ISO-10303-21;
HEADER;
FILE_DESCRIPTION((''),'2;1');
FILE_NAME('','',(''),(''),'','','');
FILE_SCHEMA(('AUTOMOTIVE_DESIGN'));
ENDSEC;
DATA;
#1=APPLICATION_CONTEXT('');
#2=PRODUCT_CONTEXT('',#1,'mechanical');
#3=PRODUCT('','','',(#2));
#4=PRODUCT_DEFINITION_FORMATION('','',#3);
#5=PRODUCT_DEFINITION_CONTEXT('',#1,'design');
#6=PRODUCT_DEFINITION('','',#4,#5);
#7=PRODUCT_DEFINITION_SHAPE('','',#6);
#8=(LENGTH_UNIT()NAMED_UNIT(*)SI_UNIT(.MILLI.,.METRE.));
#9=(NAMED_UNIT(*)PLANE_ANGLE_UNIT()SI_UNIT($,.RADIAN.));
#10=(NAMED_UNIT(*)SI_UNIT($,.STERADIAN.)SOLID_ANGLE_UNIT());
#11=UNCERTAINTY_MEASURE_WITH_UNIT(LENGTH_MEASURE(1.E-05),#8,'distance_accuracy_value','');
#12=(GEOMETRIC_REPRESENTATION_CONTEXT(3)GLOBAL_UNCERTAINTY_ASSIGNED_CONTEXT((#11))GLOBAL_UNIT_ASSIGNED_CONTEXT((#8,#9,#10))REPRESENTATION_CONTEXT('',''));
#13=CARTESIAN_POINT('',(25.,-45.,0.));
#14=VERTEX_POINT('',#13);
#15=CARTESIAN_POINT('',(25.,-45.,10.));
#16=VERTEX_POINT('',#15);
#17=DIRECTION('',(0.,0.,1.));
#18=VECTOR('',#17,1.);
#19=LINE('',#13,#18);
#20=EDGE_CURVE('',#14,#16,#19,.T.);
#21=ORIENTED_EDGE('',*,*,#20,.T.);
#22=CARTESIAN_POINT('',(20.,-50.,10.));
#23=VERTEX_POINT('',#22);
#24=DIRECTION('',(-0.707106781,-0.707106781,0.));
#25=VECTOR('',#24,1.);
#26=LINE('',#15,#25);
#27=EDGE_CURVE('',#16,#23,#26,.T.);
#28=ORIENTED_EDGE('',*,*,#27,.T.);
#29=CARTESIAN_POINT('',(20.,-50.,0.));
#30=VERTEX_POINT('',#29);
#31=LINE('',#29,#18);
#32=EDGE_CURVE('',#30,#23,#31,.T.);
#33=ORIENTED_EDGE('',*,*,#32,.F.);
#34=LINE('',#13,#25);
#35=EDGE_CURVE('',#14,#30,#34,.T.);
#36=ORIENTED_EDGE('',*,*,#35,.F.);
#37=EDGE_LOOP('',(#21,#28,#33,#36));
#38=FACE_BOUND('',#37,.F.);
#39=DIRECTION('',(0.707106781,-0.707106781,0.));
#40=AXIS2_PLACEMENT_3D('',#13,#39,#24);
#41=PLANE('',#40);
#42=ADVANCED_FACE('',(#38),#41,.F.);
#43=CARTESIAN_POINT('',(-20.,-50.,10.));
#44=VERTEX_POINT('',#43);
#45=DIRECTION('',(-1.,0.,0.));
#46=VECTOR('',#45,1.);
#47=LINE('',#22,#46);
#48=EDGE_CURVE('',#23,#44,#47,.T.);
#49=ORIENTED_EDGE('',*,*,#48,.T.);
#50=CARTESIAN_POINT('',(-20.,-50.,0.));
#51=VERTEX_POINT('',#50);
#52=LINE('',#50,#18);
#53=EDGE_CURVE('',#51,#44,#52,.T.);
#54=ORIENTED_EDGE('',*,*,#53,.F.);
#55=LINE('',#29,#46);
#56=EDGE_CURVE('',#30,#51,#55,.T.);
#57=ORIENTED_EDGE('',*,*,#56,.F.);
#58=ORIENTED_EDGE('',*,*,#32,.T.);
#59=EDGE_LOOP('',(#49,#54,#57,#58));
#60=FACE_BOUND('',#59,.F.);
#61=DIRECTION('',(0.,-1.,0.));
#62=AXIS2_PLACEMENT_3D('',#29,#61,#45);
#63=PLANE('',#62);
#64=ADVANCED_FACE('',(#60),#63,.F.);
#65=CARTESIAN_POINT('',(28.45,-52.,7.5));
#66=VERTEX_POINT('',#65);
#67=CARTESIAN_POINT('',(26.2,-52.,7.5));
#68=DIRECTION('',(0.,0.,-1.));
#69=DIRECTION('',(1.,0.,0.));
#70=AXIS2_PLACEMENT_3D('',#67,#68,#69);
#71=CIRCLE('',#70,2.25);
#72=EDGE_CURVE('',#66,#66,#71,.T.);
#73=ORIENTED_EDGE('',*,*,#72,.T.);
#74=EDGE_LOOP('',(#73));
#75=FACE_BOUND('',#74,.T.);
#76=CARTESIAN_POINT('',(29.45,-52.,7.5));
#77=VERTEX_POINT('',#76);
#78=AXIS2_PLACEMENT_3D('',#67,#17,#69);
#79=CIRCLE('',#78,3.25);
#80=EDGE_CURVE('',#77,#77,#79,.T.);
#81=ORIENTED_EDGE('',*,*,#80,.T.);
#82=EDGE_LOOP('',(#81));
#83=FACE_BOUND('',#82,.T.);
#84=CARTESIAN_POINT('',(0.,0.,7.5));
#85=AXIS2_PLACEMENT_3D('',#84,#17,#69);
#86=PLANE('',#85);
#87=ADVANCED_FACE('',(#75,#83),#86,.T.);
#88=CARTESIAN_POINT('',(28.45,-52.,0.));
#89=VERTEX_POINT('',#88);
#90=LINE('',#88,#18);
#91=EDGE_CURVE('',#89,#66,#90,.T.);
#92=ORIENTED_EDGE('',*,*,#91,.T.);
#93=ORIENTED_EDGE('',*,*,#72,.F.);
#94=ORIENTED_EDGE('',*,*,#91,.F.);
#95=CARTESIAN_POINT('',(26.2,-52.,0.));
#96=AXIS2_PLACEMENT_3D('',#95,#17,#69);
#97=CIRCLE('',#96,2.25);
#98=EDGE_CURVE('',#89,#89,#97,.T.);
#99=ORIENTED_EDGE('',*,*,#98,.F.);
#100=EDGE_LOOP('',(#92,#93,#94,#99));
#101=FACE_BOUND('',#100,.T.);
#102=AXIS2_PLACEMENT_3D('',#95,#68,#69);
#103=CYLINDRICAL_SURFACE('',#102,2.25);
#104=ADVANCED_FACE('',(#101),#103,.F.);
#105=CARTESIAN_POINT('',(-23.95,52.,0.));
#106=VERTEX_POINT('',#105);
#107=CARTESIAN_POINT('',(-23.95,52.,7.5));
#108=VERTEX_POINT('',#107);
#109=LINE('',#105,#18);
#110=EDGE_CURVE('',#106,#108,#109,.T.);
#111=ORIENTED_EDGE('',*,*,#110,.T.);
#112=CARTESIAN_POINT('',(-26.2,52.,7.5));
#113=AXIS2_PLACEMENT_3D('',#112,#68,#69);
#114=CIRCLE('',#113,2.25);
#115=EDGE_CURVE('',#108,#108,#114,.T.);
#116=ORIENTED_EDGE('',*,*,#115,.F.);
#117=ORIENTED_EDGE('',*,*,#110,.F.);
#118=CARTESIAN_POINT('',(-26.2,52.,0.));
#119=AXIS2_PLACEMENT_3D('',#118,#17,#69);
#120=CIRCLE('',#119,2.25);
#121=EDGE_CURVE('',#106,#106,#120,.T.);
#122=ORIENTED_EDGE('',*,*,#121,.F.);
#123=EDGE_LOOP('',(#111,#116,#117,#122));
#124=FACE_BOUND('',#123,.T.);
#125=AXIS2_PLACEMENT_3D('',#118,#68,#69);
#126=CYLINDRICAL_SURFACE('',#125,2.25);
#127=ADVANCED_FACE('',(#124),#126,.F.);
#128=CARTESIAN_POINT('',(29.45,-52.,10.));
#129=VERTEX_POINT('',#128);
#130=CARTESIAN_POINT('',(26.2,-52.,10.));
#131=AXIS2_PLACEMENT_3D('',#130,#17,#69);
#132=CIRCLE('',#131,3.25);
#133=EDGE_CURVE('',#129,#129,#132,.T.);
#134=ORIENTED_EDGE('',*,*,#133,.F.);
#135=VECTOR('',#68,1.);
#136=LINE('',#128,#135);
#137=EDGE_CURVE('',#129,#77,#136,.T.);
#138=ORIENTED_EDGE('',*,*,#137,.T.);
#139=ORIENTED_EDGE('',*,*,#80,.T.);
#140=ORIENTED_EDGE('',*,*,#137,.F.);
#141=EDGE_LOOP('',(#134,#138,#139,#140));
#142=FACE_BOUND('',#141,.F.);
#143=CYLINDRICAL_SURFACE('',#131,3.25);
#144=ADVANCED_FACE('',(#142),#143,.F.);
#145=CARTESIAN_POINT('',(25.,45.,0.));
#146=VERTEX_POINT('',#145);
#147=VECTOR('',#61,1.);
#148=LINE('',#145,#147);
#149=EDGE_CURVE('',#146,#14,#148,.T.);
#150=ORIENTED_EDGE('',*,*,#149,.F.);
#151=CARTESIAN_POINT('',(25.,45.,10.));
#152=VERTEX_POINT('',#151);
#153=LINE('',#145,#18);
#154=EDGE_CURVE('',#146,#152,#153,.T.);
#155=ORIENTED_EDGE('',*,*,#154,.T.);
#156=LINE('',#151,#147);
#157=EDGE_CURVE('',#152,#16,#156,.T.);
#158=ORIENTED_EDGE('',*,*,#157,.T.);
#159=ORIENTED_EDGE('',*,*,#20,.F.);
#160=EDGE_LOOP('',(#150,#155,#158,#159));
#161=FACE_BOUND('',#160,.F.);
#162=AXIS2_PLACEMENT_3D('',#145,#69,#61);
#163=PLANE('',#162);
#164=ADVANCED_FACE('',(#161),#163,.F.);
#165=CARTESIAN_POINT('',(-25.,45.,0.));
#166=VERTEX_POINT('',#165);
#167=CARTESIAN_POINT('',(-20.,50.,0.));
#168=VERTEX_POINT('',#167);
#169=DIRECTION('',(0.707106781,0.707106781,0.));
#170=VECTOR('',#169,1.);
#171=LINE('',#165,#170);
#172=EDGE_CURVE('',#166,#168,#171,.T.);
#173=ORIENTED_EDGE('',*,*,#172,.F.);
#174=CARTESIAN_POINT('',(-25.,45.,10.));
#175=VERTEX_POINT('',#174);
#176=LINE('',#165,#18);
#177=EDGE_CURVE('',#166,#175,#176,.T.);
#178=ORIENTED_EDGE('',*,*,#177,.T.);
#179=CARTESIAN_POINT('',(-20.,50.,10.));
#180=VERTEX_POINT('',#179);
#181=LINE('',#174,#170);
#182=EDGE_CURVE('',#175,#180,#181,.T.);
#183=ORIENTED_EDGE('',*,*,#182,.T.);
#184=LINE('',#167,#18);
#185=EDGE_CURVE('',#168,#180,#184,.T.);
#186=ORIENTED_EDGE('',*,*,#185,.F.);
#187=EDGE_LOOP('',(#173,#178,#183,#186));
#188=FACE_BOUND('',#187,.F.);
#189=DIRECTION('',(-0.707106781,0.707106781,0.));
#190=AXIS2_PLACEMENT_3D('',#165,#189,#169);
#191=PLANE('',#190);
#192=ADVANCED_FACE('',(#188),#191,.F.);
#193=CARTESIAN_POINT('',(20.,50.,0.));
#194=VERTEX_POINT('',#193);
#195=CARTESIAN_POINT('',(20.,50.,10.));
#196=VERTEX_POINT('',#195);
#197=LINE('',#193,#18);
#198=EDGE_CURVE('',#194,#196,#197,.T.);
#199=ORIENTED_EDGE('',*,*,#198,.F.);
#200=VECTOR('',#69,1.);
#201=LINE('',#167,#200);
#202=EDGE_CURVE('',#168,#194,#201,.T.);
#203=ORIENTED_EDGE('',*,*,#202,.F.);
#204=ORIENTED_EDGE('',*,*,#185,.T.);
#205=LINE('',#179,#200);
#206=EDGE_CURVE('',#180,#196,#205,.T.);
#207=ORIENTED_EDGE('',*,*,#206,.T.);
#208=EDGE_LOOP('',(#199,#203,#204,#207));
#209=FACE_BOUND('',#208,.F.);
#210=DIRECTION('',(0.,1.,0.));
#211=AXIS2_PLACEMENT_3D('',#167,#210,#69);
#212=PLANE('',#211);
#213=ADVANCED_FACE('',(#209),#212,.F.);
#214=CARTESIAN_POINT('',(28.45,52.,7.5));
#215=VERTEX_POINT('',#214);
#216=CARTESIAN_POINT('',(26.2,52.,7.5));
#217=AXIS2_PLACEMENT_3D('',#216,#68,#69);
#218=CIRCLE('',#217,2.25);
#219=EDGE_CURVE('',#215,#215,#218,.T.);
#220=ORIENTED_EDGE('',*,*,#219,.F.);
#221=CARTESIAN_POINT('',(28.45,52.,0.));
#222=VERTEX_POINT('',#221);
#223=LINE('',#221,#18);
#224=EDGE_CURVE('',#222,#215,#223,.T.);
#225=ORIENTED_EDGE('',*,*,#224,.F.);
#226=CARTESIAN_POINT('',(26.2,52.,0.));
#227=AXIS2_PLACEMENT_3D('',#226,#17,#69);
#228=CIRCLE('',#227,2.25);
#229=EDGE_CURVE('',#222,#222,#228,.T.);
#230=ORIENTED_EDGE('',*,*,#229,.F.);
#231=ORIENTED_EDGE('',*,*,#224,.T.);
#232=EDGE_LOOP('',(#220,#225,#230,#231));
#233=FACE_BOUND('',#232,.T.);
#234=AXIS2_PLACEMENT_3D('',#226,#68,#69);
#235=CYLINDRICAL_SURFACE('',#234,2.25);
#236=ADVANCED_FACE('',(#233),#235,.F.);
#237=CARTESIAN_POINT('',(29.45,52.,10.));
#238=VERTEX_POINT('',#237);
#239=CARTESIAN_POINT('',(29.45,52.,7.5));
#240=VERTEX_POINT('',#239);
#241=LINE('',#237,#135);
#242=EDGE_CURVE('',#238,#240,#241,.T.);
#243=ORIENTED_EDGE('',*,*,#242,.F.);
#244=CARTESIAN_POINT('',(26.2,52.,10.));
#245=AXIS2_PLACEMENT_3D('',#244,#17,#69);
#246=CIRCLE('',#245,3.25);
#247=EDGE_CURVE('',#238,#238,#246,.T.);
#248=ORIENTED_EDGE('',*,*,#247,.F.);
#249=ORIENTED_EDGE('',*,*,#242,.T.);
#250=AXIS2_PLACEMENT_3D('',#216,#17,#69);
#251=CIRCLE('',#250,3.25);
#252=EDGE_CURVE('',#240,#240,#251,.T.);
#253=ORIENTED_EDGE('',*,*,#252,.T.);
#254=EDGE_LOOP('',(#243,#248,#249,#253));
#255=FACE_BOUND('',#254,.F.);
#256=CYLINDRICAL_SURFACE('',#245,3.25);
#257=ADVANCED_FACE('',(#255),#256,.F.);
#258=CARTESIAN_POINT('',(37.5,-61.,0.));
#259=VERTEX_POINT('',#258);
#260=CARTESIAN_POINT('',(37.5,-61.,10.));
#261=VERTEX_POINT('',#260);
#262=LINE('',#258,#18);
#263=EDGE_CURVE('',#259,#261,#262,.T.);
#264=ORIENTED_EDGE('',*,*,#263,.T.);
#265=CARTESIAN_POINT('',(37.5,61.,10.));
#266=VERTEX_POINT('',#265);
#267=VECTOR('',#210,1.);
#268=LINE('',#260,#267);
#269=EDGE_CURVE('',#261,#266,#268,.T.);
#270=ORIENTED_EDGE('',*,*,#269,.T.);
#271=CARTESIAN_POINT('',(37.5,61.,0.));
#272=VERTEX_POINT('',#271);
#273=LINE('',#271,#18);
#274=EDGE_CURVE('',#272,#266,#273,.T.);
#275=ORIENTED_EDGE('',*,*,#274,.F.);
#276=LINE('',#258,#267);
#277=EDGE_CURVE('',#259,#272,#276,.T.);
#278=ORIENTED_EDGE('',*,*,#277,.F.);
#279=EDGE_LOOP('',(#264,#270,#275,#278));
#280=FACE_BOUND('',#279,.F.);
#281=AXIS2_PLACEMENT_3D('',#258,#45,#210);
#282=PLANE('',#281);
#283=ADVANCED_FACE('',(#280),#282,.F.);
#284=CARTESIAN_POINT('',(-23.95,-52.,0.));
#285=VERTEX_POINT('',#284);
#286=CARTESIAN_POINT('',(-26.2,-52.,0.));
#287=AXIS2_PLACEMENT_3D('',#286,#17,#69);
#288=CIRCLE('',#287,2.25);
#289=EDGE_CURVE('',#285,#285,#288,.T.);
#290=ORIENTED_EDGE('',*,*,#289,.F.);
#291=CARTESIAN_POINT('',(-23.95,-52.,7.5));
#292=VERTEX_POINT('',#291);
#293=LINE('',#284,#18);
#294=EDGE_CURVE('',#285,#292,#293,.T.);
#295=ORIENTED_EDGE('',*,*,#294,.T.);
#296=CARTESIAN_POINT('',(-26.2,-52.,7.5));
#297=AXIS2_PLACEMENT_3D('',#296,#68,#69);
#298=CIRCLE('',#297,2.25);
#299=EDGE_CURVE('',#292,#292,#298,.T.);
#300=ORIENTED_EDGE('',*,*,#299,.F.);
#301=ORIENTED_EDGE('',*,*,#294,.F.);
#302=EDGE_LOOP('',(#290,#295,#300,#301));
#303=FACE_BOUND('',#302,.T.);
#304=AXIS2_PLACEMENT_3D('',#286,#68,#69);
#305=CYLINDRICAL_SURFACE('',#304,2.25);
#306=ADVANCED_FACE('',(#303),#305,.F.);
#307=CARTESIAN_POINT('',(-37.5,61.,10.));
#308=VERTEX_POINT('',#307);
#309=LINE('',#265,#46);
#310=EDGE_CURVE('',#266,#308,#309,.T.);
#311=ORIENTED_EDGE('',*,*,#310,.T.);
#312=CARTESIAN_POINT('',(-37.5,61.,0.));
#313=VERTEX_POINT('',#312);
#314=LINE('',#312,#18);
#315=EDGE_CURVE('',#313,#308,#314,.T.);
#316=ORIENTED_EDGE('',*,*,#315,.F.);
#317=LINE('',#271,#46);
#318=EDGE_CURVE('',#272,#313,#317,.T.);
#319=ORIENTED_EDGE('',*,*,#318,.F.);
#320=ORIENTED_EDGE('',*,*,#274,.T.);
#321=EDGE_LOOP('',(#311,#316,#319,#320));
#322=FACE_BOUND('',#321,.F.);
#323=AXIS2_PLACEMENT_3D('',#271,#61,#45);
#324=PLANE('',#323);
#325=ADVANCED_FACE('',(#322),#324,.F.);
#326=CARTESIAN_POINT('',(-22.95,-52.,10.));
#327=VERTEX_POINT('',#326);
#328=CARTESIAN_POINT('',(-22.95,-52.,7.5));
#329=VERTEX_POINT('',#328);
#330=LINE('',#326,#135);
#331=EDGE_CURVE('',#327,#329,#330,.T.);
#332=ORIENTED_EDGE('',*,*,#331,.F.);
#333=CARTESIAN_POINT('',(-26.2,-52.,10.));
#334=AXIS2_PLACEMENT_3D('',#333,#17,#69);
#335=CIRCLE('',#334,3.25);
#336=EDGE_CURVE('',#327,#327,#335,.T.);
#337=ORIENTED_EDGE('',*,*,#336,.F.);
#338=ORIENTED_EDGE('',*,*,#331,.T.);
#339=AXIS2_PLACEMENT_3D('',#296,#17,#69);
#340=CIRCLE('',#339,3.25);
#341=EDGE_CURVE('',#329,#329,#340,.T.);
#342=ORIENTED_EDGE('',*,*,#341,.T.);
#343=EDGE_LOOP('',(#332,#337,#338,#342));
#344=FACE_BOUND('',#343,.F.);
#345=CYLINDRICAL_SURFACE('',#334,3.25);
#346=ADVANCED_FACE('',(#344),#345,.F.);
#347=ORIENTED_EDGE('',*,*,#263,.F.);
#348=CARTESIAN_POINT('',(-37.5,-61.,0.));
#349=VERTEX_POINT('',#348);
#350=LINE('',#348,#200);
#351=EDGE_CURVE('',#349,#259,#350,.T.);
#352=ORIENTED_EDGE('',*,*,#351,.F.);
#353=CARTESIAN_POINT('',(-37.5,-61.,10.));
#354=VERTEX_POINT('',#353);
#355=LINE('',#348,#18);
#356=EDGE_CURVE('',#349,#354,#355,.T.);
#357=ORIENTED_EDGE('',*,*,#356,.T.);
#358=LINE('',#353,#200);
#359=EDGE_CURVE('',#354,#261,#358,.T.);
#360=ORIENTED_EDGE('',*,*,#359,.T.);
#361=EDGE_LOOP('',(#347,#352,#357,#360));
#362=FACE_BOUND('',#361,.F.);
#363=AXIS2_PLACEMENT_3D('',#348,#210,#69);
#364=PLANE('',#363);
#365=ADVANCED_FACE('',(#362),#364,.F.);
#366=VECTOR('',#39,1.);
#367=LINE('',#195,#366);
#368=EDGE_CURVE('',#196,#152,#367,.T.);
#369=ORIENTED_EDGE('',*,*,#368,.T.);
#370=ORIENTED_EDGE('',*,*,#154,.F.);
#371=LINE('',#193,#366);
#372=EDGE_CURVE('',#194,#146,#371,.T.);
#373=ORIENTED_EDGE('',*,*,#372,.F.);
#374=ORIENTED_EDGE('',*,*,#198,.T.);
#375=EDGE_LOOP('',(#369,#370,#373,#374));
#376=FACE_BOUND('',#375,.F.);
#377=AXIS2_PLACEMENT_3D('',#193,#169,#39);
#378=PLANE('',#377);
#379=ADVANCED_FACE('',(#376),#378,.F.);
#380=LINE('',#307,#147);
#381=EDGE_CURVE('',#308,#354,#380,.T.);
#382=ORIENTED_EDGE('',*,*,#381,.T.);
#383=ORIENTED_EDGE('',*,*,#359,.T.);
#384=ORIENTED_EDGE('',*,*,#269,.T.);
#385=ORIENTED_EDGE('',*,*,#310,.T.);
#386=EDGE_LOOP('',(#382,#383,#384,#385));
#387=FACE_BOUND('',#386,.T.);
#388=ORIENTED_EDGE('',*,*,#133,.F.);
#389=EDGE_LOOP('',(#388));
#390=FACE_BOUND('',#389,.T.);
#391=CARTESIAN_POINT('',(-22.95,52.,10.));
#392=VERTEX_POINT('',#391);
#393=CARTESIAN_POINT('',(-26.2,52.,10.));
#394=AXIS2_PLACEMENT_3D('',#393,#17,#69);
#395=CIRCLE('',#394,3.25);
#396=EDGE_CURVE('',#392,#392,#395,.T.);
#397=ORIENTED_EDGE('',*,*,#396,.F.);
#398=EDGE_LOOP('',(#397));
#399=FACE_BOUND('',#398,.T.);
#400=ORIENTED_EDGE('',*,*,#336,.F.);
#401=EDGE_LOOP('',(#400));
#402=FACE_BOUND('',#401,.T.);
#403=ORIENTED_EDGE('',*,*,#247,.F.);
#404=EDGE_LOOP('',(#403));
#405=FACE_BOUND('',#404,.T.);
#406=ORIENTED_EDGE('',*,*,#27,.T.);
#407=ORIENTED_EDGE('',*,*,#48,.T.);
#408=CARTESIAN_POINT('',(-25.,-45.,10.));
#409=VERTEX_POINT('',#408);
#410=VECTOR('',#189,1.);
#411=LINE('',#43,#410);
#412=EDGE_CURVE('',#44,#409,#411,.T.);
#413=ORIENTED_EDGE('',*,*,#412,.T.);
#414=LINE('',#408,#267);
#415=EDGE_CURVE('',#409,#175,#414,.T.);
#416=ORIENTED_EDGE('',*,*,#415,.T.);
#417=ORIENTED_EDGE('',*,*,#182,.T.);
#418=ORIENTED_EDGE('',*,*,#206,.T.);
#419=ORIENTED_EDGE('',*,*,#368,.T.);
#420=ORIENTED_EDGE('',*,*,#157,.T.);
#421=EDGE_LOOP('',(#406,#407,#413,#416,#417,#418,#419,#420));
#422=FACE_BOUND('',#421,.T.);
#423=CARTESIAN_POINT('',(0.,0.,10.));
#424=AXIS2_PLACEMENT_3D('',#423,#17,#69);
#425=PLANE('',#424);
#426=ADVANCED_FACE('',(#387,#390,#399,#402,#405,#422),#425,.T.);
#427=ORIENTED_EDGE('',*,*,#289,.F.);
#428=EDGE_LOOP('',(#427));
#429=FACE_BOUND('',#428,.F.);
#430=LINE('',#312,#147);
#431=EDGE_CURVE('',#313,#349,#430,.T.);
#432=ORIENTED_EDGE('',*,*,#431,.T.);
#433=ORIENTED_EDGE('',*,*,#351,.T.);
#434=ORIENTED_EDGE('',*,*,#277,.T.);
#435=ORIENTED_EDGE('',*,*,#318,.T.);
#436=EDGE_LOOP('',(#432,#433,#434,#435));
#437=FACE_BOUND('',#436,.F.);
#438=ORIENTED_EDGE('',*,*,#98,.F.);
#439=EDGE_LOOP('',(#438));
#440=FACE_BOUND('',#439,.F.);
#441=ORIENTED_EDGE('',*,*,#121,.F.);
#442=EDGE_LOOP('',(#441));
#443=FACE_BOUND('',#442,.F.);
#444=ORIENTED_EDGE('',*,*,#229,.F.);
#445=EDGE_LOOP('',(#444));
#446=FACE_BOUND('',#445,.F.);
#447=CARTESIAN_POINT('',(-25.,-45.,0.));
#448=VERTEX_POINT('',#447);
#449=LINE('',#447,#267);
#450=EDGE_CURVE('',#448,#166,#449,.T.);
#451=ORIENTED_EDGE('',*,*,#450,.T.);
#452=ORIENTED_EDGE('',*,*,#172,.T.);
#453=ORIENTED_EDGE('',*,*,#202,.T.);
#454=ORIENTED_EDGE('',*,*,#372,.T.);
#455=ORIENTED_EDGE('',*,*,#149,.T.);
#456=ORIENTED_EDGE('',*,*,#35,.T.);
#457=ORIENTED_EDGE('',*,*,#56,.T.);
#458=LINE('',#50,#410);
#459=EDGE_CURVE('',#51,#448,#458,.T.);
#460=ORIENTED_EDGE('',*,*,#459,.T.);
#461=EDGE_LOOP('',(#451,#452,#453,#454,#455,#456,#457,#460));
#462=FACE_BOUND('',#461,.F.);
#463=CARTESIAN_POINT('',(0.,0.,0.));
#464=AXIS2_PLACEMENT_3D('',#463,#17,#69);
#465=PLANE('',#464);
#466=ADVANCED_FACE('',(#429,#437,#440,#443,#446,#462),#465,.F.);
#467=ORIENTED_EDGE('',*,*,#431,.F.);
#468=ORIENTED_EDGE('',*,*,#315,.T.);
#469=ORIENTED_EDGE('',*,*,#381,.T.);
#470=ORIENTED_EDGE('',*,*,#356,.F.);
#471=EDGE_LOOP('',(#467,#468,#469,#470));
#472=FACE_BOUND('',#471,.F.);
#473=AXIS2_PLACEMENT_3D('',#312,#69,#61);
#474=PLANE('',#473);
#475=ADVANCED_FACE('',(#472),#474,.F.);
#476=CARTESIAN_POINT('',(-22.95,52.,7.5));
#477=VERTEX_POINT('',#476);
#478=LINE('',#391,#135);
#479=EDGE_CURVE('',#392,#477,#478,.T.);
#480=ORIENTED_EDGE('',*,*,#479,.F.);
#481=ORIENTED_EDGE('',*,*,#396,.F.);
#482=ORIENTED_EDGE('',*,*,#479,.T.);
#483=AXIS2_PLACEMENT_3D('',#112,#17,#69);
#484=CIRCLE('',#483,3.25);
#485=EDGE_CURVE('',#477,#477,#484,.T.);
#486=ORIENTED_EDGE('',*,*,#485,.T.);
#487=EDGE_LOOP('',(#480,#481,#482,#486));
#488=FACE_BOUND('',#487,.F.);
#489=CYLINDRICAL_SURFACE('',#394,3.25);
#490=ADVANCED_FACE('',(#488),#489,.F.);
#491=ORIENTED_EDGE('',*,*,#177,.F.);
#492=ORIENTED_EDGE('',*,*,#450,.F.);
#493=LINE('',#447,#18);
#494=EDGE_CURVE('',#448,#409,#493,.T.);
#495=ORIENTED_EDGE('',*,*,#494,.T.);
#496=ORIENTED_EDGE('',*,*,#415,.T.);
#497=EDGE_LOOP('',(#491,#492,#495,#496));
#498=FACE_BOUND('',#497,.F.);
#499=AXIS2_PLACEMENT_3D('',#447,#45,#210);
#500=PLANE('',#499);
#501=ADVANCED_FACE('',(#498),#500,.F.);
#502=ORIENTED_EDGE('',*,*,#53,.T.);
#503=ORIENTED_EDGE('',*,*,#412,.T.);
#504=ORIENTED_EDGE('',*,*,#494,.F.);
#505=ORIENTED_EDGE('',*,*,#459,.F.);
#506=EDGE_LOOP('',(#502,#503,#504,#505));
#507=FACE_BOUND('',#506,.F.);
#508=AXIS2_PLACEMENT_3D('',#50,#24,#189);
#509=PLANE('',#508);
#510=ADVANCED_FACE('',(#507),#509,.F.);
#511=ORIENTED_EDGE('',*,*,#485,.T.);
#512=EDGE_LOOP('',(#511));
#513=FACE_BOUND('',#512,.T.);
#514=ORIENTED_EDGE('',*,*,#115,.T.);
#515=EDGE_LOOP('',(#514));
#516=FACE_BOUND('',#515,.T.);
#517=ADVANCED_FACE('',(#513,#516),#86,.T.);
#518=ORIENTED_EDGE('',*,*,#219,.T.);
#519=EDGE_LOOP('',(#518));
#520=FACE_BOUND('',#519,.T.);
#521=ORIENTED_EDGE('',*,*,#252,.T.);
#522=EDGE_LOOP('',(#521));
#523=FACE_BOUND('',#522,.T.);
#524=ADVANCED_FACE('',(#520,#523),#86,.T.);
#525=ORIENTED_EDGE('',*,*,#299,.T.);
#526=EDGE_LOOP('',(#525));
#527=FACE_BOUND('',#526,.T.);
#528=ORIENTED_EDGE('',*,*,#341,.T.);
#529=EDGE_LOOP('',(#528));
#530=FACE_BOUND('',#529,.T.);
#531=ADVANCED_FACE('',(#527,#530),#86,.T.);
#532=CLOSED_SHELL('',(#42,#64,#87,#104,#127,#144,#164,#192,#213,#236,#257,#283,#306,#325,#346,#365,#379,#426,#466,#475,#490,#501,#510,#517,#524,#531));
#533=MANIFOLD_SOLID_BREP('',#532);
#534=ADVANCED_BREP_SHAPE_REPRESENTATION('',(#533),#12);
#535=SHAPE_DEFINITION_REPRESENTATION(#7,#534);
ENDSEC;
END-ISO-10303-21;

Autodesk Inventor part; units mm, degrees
ref_plane "YZ Plane" through (0, 0, 0) normal (1, 0, 0) x (0, 1, 0)
ref_plane "XZ Plane" through (0, 0, 0) normal (0, 1, 0) x (-1, 0, 0)
ref_plane "XY Plane" through (0, 0, 0) normal (0, 0, 1) x (1, 0, 0)
sketch "스케치1" plane through (0, 0, 0) normal (0, 0, 1) x (1, 0, 0)
  line L0 (-26.2, -52) -> (26.2, -52) construction
  line L1 (26.2, -52) -> (26.2, 52) construction
  line L2 (26.2, 52) -> (-26.2, 52) construction
  line L3 (-26.2, 52) -> (-26.2, -52) construction
  line L4 (-26.2, -52) -> (26.2, 52) construction
  line L5 (26.2, -52) -> (-26.2, 52) construction
  circle A0 centre (-26.2, 52) radius 2.25
  line L6 (0, 0) -> (0, 20.7433)
  line L7 (0, 0) -> (13.3788, 0)
  circle A1 centre (26.2, 52) radius 2.25
  line L8 (26.2, -52) -> (-26.2, -52) construction
  circle A2 centre (-26.2, -52) radius 2.25
  circle A3 centre (26.2, -52) radius 2.25
  line L9 (-37.5, -61) -> (37.5, -61)
  line L10 (37.5, -61) -> (37.5, 61)
  line L11 (37.5, 61) -> (-37.5, 61)
  line L12 (-37.5, 61) -> (-37.5, -61)
  line L13 (-37.5, -61) -> (37.5, 61) construction
  line L14 (37.5, -61) -> (-37.5, 61) construction
  line L15 (20, -50) -> (-20, -50)
  line L16 (-25, -45) -> (-25, 45)
  line L17 (-20, 50) -> (20, 50)
  line L18 (25, 45) -> (25, -45)
  line L19 (25, -50) -> (-25, 50) construction
  line L20 (-25, -50) -> (25, 50) construction
  line L21 (-25, 45) -> (-20, 50)
  line L22 (20, 50) -> (25, 45)
  line L23 (25, -45) -> (20, -50)
  line L24 (-20, -50) -> (-25, -45)
  dimension "d0" = 52.4
  dimension "d1" = 104
  dimension "d2" = 4.5
  dimension "d3" = 75
  dimension "d4" = 122
  dimension "d5" = 50
  dimension "d6" = 100
  dimension "d7" = 5
  dimension "d8" = 5
  dimension "d9" = 5
  dimension "d10" = 5
  dimension "d11" = 5
  dimension "d12" = 5
  dimension "d13" = 5
  dimension "d14" = 5
extrude "돌출1" add sketch "스케치1" along normal blind 10
sketch "스케치2" plane through (0, 0, 10) normal (0, 0, 1) x (1, 0, 0)
  circle A0 centre (-26.2, 52) radius 2.25 projected
  circle A1 centre (-26.2, 52) radius 3.25
  circle A2 centre (26.2, 52) radius 2.25 projected
  circle A3 centre (26.2, 52) radius 3.25
  circle A4 centre (-26.2, -52) radius 2.25 projected
  circle A5 centre (-26.2, -52) radius 3.25
  circle A6 centre (26.2, -52) radius 2.25 projected
  circle A7 centre (26.2, -52) radius 3.25
  point P0 (0, 0)
  dimension "d17" = 6.5
  dimension "d18" = 6.5
  dimension "d19" = 6.5
  dimension "d20" = 6.5
extrude "돌출2" cut sketch "스케치2" against normal blind 2.5 contours A0 | A1 | A2 | A3 | A4 | A5 | A6 | A7
equation "\"d8\" = d7"
equation "\"d9\" = d7"
equation "\"d10\" = d9"
equation "\"d11\" = d7"
equation "\"d12\" = d11"
equation "\"d13\" = d7"
equation "\"d14\" = d13"
properties part number "조면 스위치 단차"
